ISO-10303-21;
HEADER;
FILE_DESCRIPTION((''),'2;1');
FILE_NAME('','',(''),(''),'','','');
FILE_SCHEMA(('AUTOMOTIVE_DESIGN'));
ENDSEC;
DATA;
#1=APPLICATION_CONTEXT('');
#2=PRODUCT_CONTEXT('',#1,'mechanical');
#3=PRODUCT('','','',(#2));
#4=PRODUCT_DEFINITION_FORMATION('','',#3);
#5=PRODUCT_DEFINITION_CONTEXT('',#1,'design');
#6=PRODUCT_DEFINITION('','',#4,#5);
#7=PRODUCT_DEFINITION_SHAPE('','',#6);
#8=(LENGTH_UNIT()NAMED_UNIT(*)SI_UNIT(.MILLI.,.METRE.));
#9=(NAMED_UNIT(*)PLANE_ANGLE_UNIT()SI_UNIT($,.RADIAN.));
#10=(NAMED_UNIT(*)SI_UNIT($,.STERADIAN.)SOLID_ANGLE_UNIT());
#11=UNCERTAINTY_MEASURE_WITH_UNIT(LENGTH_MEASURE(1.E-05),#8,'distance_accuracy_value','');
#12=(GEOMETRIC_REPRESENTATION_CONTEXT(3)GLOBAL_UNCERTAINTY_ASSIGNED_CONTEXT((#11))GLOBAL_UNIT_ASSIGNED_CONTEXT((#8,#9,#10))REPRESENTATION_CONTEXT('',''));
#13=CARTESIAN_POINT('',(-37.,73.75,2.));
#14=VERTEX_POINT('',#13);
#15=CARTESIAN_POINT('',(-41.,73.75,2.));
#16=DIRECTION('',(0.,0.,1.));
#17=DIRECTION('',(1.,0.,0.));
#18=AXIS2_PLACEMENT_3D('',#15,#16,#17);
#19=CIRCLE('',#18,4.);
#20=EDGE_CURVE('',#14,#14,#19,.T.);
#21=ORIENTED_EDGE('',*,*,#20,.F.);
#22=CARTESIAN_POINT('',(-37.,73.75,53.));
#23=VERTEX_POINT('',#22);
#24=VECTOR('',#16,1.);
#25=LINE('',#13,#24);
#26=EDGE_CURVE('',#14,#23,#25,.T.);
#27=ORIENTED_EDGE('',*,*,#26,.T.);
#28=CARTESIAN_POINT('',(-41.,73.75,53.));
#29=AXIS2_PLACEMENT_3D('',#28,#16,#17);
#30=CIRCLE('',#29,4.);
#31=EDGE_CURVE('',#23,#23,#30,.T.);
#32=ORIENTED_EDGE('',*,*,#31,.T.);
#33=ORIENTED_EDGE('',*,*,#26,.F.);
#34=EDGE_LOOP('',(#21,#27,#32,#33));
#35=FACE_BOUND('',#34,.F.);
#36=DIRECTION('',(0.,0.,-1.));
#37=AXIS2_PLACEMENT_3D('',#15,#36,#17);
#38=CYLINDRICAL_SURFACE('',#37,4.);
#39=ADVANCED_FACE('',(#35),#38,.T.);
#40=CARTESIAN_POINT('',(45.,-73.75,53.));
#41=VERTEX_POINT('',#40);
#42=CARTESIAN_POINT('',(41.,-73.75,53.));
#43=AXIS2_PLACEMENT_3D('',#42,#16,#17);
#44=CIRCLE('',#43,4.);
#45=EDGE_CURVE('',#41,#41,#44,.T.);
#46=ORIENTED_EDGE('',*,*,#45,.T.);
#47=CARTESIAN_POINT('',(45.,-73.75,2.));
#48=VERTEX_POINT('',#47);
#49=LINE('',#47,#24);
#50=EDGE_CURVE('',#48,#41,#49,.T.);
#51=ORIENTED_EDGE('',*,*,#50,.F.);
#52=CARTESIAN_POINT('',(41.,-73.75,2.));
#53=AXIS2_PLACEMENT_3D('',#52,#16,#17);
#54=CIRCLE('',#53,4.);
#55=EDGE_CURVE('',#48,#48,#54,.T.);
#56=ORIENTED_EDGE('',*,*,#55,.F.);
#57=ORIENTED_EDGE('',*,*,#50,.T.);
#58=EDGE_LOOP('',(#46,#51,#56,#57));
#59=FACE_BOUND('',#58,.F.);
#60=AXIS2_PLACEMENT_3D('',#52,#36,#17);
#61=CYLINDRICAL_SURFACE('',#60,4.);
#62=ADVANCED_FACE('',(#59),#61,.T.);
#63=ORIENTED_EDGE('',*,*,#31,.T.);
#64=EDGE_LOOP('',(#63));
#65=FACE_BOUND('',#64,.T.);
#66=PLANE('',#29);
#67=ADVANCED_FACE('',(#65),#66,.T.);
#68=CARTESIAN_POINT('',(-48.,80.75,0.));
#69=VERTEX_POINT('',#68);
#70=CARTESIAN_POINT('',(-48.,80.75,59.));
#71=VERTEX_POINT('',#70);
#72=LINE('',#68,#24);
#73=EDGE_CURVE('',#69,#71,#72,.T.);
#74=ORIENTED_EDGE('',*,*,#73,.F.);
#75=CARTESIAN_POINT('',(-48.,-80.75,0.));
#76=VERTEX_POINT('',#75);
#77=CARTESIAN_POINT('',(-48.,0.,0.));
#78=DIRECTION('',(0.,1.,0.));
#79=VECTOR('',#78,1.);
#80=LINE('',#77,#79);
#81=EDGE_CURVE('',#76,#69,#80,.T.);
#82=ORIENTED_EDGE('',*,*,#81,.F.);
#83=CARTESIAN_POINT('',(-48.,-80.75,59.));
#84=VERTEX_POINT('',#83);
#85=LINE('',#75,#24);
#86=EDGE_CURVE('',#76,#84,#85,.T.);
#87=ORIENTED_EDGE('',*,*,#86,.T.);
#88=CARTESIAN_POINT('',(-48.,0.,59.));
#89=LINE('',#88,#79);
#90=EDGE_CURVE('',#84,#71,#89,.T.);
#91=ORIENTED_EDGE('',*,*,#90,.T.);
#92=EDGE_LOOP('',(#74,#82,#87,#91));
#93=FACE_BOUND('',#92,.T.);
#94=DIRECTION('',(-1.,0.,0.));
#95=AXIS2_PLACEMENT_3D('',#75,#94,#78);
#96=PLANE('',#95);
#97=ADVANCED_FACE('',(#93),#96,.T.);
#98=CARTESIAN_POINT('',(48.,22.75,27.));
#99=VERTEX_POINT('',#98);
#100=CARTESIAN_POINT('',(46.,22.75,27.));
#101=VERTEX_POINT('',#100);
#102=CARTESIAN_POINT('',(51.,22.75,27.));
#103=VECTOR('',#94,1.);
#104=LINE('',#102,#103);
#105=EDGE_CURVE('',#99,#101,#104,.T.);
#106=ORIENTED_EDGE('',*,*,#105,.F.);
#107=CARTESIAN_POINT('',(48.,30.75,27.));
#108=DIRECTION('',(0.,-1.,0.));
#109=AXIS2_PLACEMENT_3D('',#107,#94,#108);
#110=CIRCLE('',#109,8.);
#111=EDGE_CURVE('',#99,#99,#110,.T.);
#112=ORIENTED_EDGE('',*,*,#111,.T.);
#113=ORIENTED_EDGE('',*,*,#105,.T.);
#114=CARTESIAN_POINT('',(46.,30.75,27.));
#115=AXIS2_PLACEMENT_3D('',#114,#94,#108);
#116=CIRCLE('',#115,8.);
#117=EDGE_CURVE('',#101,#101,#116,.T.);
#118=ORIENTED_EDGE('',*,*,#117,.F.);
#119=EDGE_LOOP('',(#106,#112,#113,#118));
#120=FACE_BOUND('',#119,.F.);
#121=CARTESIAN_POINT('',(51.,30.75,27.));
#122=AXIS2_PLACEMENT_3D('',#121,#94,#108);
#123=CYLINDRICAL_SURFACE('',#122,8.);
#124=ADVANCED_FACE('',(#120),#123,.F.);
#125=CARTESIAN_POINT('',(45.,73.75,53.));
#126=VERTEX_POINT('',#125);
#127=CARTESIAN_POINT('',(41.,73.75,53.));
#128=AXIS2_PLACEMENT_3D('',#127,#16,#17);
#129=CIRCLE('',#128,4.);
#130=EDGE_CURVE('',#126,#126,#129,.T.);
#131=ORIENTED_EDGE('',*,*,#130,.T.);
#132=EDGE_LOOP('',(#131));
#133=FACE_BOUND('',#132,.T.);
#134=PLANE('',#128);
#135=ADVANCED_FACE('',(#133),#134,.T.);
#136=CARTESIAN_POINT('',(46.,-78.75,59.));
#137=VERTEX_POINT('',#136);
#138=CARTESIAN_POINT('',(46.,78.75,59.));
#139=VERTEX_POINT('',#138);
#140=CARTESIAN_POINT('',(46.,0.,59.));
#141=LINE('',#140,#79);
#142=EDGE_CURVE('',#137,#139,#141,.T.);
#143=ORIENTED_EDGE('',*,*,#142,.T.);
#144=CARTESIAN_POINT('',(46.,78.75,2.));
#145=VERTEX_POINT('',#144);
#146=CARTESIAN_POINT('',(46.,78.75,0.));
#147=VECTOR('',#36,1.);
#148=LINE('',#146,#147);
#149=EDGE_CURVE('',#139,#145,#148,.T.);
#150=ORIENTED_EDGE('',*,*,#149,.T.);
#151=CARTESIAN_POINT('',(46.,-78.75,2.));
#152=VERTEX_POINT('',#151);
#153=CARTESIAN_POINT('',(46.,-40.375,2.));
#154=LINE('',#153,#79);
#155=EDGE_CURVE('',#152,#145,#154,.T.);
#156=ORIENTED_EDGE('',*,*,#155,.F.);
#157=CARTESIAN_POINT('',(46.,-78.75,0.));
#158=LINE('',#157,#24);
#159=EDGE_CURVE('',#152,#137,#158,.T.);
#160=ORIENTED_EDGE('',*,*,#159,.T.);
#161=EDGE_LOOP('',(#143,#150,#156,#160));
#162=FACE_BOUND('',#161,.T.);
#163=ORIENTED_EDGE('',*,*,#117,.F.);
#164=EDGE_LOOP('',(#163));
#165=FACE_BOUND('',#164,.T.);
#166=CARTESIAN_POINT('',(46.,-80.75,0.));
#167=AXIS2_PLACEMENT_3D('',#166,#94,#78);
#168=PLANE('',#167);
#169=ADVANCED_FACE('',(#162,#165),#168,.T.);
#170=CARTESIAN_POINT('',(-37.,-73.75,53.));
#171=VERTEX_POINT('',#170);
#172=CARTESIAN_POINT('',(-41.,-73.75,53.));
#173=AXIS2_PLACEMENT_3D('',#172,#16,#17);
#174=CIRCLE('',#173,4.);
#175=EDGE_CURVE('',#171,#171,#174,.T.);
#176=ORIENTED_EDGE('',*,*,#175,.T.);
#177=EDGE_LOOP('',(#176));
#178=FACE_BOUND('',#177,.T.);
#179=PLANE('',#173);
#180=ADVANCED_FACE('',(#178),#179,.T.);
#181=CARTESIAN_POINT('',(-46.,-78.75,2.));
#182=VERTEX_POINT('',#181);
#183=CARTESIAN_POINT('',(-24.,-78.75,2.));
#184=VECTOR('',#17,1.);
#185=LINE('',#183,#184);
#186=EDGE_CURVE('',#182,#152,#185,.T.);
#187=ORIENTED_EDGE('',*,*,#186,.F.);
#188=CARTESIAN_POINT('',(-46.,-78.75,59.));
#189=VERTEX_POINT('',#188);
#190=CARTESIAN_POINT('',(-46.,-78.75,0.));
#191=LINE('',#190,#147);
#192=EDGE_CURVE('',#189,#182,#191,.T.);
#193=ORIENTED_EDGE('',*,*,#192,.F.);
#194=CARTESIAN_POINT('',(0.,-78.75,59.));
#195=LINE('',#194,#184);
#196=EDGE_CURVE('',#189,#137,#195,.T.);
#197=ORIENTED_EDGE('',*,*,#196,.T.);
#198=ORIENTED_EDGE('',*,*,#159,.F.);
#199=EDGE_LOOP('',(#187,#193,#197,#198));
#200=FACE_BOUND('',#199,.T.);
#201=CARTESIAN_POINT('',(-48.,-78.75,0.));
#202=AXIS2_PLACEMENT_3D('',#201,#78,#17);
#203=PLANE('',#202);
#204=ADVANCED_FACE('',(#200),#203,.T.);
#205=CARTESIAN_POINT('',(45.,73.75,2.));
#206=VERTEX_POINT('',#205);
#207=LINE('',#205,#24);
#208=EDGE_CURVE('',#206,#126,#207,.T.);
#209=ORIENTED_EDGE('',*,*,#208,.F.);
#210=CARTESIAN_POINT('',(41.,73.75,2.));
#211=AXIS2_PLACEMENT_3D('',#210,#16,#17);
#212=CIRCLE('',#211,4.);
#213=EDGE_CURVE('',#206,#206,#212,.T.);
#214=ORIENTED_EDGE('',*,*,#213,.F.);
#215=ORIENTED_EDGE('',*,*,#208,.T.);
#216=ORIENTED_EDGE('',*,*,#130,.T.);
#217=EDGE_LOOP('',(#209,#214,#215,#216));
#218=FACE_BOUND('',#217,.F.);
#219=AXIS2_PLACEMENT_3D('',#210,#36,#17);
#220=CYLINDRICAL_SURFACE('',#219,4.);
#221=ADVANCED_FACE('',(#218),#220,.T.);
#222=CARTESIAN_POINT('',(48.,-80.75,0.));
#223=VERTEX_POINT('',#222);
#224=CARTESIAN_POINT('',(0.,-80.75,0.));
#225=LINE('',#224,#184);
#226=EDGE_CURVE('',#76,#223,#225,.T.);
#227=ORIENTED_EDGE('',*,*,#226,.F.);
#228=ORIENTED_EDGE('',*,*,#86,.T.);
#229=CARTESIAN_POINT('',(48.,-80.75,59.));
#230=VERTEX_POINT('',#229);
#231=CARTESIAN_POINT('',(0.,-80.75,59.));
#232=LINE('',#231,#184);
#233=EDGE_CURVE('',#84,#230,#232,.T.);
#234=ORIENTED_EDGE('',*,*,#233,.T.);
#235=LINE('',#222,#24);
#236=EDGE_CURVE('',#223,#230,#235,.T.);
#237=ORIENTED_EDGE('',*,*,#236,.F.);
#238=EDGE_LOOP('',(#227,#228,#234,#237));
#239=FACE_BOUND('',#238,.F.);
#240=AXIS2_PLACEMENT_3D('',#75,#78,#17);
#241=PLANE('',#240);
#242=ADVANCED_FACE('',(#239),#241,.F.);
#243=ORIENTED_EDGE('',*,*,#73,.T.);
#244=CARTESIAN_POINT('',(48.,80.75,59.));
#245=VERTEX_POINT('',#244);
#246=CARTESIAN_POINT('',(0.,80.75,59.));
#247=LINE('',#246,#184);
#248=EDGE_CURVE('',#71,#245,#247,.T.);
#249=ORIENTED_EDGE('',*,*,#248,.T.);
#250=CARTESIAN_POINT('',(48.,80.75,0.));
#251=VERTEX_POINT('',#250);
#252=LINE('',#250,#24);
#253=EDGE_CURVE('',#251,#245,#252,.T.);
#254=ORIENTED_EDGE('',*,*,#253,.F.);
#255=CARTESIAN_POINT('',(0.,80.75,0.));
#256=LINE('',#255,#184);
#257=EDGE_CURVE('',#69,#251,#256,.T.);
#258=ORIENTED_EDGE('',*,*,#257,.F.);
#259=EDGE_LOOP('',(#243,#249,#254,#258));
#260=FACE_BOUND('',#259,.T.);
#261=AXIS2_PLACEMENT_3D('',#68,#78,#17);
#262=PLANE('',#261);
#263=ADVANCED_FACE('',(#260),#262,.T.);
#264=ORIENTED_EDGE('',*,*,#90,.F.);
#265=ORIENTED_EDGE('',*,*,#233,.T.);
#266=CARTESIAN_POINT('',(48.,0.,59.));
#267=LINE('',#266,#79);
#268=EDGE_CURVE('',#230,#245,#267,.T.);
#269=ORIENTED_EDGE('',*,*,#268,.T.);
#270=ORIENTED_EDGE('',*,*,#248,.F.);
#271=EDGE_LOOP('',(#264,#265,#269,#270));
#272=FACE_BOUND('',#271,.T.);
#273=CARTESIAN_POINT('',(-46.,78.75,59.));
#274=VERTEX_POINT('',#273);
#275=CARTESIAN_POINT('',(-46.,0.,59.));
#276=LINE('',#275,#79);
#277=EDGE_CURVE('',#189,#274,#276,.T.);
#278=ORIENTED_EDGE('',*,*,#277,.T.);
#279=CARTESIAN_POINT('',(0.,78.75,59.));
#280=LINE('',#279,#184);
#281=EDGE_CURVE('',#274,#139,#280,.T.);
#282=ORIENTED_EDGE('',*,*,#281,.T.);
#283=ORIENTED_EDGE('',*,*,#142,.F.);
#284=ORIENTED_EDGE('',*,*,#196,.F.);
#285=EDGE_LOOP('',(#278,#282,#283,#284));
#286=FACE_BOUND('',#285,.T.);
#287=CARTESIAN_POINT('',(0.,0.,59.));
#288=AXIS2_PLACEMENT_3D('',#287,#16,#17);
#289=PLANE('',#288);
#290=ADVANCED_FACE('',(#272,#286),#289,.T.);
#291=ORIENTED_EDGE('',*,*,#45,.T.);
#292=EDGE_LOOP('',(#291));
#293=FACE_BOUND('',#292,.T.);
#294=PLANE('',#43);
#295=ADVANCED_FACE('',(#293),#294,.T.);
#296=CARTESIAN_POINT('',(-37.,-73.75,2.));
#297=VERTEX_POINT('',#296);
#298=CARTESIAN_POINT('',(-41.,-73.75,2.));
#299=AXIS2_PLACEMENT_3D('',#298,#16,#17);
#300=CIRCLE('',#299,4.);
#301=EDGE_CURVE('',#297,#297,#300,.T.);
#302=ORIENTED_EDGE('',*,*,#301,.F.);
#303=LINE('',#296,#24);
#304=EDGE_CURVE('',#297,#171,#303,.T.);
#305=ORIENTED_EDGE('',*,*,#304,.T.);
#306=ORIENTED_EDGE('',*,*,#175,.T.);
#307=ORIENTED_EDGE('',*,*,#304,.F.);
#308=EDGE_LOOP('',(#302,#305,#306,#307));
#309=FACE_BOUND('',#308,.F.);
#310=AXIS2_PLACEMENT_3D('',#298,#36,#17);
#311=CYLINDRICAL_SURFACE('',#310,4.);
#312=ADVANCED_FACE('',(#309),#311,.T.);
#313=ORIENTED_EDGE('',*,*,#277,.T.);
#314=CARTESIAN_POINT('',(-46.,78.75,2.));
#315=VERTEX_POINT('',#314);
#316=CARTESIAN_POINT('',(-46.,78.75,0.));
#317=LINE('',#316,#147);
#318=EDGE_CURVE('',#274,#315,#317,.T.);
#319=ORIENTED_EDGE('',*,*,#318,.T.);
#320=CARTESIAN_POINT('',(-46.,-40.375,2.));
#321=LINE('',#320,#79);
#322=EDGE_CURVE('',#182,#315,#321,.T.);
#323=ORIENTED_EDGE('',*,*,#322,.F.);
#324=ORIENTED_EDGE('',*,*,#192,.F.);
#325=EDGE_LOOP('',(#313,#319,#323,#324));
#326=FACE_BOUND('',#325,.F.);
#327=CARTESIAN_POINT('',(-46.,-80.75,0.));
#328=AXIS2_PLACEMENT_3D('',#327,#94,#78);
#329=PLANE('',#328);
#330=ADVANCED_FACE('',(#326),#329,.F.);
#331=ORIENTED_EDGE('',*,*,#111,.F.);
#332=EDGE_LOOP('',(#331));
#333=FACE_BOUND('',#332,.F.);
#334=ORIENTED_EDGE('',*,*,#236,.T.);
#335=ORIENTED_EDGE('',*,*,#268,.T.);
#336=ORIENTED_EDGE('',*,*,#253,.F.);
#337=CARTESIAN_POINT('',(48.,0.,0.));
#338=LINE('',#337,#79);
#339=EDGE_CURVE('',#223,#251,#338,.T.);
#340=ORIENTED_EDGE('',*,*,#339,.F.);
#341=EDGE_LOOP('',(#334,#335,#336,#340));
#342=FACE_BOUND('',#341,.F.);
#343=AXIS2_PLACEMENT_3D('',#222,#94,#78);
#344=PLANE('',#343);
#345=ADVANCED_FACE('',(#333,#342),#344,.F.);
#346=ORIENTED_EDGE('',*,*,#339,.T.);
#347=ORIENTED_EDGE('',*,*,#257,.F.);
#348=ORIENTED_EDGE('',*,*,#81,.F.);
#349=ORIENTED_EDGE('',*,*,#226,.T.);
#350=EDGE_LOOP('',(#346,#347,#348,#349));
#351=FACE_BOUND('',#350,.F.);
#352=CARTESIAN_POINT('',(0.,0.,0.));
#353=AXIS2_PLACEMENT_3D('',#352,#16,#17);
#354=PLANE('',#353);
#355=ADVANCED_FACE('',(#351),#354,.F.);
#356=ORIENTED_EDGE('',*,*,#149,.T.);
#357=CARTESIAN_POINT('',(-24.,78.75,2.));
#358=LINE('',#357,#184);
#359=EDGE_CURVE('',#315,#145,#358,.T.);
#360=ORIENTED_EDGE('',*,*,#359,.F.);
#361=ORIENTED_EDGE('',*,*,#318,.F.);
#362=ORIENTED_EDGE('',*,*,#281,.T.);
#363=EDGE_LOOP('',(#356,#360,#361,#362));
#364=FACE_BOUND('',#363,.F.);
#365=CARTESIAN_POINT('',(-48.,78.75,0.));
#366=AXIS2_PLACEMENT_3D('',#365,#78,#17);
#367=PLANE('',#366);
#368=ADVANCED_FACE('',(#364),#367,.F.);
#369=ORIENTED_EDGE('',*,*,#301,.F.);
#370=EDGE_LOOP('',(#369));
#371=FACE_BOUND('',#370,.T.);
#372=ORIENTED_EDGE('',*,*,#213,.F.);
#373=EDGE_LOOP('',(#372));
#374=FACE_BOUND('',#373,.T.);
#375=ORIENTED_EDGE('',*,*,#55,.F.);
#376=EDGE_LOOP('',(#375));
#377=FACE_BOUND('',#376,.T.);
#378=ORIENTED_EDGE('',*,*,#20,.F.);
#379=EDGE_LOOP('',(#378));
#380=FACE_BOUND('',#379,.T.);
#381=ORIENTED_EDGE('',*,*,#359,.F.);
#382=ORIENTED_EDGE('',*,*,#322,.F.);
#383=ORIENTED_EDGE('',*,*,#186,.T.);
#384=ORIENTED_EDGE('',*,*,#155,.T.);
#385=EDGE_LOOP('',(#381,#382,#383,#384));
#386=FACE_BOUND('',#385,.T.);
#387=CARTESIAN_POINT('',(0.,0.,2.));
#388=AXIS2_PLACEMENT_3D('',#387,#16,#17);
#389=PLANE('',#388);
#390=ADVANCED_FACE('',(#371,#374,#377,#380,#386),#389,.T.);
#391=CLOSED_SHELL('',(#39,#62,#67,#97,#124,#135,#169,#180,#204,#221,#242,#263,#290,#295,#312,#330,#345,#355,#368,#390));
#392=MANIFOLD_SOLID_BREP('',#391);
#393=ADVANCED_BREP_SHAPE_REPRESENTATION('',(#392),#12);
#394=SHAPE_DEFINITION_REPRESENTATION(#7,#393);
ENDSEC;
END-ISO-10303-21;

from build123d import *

# Parameters (mm, degrees)
F0_W     = 96
F0_H     = 161.5
F1_DEPTH = 59
F2_T     = -2
F3_R     = 4
F4_DEPTH = 51
F6_D     = 16
F6_DEPTH = 3


with BuildPart() as f1:
    # F0 (on Top) → F1 (new body)
    with BuildSketch(Plane.XY):
        Rectangle(F0_W, F0_H)
    extrude(amount=F1_DEPTH)

    # F2
    f2_openings = [f1.faces().sort_by_distance(p)[0] for p in [
        (0, 0, 59),
    ]]
    offset(amount=F2_T, openings=f2_openings)

    # F3 (on face) → F4 (join)
    with BuildSketch(Plane.XY.offset(2)):
        with Locations((-41, 73.75)):
            Circle(F3_R)
        with Locations((41, 73.75)):
            Circle(F3_R)
        with Locations((41, -73.75)):
            Circle(F3_R)
        with Locations((-41, -73.75)):
            Circle(F3_R)
    extrude(amount=F4_DEPTH)

    # F6
    with Locations(Plane.YZ.offset(48)):
        with Locations((30.75, 27)):
            Hole(F6_D / 2, depth=F6_DEPTH)


solid = f1.part
